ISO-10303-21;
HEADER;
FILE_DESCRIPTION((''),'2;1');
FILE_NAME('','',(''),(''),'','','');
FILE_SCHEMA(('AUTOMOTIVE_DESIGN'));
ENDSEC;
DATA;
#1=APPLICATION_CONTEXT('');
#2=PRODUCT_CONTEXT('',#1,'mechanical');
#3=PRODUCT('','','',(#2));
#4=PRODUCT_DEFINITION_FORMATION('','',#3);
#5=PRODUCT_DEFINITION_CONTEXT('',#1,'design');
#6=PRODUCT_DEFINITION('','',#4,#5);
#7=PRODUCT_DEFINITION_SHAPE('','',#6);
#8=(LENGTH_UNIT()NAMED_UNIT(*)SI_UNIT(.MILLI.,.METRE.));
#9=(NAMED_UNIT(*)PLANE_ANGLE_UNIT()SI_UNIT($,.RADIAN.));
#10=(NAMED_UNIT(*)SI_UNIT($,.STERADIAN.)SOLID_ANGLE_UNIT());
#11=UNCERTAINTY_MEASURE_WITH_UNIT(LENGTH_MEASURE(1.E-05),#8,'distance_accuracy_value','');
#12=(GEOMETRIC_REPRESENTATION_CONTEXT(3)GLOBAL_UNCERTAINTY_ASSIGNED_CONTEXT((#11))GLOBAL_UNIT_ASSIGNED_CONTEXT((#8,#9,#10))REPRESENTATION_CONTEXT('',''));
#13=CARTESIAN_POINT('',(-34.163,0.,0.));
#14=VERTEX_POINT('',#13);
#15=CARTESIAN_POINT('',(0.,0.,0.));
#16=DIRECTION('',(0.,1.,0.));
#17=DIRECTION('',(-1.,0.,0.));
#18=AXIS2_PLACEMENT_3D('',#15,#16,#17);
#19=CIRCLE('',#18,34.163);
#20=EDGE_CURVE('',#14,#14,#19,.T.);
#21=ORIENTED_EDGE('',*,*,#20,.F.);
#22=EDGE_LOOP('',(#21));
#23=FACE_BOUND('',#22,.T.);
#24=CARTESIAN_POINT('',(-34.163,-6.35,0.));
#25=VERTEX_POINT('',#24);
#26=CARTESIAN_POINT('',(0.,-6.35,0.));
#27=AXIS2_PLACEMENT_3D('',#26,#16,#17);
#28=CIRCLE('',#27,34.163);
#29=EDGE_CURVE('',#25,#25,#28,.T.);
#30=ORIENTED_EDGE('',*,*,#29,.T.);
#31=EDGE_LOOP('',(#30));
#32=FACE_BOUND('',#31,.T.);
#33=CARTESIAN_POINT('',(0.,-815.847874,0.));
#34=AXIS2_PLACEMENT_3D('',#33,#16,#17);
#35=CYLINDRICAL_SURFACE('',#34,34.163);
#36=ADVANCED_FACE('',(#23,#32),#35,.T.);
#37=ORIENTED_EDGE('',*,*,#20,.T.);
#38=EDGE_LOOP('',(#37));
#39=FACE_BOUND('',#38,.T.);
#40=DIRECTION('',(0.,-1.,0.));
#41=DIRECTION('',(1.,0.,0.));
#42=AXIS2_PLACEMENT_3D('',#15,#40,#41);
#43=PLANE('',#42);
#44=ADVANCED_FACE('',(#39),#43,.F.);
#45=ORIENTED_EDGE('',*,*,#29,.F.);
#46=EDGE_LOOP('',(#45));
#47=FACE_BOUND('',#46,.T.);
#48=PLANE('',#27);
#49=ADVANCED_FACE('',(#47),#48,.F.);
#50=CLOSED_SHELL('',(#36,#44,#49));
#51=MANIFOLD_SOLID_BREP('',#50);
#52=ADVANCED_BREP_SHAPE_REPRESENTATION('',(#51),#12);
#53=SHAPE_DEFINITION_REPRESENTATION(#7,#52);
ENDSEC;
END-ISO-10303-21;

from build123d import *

# Parameters (mm, degrees)
SKETCH2_W = 34.163
SKETCH2_H = 6.35


with BuildPart() as part:
    # Sketch2 → Revolve2 (revolve)
    with BuildSketch(Plane.XY):
        with Locations((17.0815, -3.175)):
            Rectangle(SKETCH2_W, SKETCH2_H)
    revolve(axis=Axis((0, -815.84787415, 0), (0, -1, 0)))


solid = part.part
